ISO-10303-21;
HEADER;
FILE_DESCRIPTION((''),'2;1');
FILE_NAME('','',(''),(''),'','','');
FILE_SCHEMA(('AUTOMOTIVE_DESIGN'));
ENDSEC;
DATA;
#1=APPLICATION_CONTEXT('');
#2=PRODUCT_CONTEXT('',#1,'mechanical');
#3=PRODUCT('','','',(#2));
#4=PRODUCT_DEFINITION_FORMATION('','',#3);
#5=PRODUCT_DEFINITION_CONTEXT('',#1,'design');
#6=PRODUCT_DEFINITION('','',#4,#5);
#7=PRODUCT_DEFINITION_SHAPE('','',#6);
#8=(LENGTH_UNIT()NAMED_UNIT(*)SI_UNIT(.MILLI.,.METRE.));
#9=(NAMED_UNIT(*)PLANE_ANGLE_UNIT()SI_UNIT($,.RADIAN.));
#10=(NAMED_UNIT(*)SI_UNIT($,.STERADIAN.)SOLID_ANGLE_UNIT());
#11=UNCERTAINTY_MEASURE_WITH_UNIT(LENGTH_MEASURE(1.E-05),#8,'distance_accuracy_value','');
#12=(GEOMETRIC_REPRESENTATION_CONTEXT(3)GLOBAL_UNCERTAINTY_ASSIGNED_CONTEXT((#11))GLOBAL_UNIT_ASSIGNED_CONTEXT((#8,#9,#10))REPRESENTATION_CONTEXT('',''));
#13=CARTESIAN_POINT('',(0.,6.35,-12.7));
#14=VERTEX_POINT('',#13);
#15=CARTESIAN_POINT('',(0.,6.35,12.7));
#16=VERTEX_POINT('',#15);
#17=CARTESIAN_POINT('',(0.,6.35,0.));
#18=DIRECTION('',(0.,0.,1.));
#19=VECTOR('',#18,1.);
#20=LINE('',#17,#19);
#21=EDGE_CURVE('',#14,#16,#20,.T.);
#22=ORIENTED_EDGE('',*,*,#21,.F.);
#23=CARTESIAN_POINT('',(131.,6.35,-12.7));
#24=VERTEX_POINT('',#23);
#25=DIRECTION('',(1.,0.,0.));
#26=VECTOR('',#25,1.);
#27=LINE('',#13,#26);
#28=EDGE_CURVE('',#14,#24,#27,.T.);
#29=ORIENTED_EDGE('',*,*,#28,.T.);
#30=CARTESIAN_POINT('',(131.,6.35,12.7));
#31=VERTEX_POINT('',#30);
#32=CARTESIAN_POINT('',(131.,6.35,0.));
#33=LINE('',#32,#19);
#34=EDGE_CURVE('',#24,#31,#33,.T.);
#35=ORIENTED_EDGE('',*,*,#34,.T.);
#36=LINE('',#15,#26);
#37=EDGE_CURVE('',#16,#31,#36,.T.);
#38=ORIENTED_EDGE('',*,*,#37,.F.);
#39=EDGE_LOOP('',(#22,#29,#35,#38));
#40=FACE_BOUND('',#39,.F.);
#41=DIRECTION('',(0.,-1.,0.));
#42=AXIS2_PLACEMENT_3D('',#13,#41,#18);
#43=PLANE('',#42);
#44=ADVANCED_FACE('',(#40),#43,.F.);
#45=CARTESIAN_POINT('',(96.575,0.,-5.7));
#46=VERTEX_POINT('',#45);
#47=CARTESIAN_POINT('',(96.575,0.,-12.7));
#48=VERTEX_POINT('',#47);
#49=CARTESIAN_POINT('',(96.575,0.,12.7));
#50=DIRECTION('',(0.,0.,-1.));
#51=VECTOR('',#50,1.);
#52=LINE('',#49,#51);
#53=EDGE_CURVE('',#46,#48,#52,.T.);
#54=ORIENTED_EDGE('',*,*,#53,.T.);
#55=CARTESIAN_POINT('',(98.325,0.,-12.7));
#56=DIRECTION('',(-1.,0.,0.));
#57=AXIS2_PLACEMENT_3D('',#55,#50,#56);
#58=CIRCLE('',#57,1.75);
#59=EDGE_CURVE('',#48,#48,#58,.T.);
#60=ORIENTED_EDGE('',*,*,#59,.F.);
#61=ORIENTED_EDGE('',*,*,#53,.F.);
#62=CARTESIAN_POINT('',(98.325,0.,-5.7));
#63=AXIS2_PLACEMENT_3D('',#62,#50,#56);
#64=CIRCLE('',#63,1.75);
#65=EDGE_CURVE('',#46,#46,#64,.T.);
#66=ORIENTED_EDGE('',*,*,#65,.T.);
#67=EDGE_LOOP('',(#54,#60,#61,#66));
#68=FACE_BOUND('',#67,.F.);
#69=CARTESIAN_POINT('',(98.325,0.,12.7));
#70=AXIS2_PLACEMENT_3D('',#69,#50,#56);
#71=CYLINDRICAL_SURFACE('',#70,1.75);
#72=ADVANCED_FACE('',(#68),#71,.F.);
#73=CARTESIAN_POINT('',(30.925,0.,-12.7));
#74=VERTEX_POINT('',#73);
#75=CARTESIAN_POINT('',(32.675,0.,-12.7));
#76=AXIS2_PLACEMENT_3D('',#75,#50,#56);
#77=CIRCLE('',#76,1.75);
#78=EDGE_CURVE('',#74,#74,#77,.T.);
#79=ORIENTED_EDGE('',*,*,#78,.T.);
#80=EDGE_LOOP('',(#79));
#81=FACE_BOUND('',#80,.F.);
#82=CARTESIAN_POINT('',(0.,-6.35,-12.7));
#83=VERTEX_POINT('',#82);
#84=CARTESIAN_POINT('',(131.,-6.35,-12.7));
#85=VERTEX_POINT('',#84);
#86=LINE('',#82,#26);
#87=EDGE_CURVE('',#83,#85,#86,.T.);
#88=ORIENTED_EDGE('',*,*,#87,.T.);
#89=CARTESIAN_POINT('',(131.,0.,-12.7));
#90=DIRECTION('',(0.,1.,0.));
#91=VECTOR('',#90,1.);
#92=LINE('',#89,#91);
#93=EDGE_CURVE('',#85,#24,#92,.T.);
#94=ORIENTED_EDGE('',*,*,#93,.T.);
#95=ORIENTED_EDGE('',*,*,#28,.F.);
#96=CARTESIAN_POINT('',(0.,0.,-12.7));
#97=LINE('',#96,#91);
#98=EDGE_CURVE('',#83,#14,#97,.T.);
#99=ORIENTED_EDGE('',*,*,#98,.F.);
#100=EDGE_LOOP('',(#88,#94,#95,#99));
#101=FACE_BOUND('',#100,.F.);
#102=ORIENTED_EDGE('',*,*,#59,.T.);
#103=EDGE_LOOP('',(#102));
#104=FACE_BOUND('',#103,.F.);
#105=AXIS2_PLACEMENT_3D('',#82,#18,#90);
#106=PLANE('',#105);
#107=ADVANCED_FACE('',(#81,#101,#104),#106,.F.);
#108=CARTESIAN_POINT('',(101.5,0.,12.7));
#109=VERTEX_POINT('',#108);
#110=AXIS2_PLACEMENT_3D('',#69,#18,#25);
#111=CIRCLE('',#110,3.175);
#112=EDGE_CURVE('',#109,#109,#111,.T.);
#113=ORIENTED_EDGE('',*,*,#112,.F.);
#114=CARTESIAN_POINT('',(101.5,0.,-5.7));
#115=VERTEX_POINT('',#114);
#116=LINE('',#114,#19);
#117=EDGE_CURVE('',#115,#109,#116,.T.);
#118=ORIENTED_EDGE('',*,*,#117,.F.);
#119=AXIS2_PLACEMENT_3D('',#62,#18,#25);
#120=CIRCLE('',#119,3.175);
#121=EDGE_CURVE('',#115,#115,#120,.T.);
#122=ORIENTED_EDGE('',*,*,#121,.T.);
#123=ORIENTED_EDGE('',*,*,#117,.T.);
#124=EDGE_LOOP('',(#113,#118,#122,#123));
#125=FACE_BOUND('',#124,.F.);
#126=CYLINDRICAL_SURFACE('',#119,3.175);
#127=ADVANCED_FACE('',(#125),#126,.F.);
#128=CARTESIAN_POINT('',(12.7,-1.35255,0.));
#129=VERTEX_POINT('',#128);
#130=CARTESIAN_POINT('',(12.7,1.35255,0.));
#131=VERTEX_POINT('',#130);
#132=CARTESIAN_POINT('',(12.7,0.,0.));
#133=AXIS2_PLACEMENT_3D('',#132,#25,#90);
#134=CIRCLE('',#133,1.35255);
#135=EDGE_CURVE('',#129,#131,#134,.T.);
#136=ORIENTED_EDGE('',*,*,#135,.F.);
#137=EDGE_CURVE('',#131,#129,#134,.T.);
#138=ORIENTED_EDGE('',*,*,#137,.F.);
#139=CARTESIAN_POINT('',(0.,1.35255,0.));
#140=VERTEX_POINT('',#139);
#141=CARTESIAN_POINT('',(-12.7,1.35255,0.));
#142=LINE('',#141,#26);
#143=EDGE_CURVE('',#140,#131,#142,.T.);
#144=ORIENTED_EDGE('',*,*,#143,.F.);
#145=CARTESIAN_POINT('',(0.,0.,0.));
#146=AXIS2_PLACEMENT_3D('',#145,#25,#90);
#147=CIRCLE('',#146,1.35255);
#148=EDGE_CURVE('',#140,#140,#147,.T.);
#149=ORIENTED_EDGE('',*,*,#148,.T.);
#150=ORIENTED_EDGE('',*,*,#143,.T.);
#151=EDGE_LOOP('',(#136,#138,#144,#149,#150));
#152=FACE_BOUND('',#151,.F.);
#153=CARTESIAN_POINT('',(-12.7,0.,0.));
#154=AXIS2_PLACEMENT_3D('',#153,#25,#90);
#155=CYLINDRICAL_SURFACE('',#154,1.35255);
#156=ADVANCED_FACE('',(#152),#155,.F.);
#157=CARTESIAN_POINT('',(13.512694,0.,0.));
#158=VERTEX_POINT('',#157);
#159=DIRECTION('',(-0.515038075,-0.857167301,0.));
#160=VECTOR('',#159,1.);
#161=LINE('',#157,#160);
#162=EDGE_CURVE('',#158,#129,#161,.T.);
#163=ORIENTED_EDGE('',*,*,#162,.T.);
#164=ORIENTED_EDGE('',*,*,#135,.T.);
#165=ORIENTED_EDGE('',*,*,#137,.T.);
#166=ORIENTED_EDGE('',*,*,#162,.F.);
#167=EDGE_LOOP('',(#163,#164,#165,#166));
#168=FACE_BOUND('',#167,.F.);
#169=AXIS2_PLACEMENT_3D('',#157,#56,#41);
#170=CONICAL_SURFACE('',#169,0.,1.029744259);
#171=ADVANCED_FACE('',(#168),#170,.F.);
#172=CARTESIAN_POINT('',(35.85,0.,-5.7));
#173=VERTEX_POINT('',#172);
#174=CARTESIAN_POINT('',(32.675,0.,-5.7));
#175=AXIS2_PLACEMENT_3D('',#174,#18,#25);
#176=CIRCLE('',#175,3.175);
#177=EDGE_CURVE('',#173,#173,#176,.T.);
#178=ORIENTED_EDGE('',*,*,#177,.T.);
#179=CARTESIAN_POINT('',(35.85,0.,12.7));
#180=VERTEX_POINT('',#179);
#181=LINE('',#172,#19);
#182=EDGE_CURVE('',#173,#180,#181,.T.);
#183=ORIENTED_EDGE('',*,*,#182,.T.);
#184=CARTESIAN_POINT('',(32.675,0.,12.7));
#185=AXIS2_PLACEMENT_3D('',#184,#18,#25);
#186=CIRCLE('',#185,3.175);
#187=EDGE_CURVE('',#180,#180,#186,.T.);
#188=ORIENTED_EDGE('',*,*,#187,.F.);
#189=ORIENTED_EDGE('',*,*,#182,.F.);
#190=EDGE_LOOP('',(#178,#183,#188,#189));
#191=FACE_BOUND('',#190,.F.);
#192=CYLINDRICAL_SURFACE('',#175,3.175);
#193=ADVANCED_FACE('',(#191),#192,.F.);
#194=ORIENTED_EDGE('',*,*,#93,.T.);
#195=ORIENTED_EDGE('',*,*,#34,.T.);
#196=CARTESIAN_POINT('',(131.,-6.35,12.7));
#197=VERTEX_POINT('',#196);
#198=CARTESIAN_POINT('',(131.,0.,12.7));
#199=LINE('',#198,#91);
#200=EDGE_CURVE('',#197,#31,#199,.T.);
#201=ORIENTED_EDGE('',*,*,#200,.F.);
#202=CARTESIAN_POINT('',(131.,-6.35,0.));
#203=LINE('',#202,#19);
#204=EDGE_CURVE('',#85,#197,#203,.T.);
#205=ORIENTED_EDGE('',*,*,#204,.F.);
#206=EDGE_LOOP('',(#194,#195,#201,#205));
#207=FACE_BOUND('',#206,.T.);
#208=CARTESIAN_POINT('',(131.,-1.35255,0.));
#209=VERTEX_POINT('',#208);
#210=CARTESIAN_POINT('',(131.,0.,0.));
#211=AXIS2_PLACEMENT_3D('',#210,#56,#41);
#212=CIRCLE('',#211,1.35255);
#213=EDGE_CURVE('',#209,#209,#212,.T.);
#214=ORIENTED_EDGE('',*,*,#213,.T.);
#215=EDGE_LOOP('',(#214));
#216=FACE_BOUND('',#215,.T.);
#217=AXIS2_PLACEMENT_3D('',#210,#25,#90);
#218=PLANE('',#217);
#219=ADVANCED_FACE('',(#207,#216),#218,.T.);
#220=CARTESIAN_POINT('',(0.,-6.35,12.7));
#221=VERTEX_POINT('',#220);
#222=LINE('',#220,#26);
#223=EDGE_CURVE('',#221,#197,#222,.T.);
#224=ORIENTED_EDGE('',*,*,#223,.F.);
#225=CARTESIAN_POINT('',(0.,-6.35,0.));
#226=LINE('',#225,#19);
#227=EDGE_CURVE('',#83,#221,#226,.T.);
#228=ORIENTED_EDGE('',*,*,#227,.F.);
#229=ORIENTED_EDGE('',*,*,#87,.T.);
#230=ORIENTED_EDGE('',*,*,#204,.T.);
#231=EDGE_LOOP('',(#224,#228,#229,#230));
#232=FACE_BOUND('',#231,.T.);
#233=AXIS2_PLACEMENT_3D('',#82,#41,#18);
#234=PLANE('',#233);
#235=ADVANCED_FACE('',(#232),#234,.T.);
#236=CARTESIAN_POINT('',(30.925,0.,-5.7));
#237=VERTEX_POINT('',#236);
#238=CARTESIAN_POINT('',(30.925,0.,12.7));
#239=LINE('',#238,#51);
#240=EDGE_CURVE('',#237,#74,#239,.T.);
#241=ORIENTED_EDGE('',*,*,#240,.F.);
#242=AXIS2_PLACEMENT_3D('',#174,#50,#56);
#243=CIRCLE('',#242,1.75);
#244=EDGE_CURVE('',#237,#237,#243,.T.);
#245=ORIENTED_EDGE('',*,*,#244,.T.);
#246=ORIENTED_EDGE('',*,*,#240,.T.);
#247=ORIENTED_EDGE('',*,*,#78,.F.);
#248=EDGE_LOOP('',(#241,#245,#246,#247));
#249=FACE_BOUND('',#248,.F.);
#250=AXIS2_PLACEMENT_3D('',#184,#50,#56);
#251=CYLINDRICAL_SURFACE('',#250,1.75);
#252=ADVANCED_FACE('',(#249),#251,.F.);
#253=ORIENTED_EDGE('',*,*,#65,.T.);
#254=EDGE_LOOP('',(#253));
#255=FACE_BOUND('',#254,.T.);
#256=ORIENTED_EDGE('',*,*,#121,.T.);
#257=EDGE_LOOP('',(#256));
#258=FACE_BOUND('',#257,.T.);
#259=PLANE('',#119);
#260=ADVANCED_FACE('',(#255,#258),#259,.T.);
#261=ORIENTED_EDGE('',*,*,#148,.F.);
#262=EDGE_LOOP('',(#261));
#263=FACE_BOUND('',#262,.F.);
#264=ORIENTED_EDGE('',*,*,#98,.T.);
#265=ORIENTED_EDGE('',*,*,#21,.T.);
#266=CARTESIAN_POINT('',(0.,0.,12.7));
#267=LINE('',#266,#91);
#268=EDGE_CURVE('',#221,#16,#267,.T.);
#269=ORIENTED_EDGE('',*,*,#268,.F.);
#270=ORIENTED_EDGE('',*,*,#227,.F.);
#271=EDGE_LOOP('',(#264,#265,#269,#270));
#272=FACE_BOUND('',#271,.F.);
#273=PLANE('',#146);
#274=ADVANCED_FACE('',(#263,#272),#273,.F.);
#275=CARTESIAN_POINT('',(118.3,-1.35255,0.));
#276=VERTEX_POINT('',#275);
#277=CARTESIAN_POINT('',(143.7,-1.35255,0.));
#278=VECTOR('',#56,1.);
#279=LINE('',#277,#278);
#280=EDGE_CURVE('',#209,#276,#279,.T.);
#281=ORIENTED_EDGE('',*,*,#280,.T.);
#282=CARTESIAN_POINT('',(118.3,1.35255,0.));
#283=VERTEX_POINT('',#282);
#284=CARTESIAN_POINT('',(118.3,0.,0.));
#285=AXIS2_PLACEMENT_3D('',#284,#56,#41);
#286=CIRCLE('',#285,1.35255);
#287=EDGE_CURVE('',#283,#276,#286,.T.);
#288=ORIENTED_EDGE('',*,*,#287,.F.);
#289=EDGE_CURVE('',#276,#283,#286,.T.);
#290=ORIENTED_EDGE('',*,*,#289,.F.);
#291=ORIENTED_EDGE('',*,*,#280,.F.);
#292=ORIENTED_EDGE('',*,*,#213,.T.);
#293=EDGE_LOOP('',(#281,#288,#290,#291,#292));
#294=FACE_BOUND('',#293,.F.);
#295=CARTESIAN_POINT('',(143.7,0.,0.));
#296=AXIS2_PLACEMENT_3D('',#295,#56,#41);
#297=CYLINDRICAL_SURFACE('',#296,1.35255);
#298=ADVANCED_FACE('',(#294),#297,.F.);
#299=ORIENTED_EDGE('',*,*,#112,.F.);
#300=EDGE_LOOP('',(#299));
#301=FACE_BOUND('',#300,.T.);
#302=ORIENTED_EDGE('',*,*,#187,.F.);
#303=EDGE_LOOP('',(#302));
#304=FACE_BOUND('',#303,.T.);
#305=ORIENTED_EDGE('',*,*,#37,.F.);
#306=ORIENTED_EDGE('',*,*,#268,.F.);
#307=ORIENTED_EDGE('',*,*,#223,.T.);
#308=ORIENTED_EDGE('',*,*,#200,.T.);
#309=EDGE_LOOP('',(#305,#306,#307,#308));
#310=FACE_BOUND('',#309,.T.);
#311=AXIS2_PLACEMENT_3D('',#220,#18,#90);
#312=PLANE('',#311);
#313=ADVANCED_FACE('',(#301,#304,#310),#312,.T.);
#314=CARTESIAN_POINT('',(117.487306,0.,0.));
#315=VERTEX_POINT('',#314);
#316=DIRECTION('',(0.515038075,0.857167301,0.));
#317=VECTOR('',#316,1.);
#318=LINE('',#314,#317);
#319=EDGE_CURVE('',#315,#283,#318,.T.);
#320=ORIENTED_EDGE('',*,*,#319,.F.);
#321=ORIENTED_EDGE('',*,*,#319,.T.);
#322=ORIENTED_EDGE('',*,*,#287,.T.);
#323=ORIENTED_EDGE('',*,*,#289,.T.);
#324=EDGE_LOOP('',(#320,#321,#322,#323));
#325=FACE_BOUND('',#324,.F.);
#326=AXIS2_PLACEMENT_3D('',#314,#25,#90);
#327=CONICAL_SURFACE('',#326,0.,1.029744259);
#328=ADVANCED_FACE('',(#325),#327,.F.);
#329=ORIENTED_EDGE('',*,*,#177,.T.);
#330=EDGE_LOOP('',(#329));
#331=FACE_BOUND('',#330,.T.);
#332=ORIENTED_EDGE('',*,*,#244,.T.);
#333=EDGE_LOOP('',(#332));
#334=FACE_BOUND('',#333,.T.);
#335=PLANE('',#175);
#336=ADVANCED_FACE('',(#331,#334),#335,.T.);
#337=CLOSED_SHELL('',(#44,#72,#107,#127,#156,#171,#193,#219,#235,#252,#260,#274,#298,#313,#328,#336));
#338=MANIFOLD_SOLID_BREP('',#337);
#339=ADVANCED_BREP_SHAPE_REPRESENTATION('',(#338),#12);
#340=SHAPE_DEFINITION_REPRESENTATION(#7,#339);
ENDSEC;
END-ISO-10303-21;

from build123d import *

# Parameters (mm, degrees)
F0_W           = 12.7
F0_H           = 25.4
F1_DEPTH       = 131
F3_D           = 3.5
F3_CBORE_D     = 6.35
F3_CBORE_DEPTH = 18.4
F5_D           = 2.7051
F5_DEPTH       = 12.7
F5_TIP         = 0.8126940303
F7_D           = 2.7051
F7_DEPTH       = 12.7
F7_TIP         = 0.8126940303


with BuildPart() as f1:
    # F0 (on Right) → F1 (new body)
    with BuildSketch(Plane.YZ):
        Rectangle(F0_W, F0_H)
    extrude(amount=F1_DEPTH)

    # F3 (through all)
    with Locations(Plane.XY.offset(12.7)):
        with Locations((32.675, 0), (98.325, 0)):
            CounterBoreHole(F3_D / 2, F3_CBORE_D / 2, F3_CBORE_DEPTH)

    # F5
    with Locations(Plane.YZ.offset(131)):
        with Locations((0, 0)):
            Hole(F5_D / 2, depth=F5_DEPTH)
            with Locations((0, 0, -(F5_DEPTH + F5_TIP / 2))):  # 118° drill point
                Cone(0, F5_D / 2, F5_TIP, mode=Mode.SUBTRACT)

    # F7
    with Locations(Plane(origin=(0, 0, 0), x_dir=(0, -1, 0), z_dir=(-1, 0, 0))):
        with Locations((0, 0)):
            Hole(F7_D / 2, depth=F7_DEPTH)
            with Locations((0, 0, -(F7_DEPTH + F7_TIP / 2))):  # 118° drill point
                Cone(0, F7_D / 2, F7_TIP, mode=Mode.SUBTRACT)


solid = f1.part
